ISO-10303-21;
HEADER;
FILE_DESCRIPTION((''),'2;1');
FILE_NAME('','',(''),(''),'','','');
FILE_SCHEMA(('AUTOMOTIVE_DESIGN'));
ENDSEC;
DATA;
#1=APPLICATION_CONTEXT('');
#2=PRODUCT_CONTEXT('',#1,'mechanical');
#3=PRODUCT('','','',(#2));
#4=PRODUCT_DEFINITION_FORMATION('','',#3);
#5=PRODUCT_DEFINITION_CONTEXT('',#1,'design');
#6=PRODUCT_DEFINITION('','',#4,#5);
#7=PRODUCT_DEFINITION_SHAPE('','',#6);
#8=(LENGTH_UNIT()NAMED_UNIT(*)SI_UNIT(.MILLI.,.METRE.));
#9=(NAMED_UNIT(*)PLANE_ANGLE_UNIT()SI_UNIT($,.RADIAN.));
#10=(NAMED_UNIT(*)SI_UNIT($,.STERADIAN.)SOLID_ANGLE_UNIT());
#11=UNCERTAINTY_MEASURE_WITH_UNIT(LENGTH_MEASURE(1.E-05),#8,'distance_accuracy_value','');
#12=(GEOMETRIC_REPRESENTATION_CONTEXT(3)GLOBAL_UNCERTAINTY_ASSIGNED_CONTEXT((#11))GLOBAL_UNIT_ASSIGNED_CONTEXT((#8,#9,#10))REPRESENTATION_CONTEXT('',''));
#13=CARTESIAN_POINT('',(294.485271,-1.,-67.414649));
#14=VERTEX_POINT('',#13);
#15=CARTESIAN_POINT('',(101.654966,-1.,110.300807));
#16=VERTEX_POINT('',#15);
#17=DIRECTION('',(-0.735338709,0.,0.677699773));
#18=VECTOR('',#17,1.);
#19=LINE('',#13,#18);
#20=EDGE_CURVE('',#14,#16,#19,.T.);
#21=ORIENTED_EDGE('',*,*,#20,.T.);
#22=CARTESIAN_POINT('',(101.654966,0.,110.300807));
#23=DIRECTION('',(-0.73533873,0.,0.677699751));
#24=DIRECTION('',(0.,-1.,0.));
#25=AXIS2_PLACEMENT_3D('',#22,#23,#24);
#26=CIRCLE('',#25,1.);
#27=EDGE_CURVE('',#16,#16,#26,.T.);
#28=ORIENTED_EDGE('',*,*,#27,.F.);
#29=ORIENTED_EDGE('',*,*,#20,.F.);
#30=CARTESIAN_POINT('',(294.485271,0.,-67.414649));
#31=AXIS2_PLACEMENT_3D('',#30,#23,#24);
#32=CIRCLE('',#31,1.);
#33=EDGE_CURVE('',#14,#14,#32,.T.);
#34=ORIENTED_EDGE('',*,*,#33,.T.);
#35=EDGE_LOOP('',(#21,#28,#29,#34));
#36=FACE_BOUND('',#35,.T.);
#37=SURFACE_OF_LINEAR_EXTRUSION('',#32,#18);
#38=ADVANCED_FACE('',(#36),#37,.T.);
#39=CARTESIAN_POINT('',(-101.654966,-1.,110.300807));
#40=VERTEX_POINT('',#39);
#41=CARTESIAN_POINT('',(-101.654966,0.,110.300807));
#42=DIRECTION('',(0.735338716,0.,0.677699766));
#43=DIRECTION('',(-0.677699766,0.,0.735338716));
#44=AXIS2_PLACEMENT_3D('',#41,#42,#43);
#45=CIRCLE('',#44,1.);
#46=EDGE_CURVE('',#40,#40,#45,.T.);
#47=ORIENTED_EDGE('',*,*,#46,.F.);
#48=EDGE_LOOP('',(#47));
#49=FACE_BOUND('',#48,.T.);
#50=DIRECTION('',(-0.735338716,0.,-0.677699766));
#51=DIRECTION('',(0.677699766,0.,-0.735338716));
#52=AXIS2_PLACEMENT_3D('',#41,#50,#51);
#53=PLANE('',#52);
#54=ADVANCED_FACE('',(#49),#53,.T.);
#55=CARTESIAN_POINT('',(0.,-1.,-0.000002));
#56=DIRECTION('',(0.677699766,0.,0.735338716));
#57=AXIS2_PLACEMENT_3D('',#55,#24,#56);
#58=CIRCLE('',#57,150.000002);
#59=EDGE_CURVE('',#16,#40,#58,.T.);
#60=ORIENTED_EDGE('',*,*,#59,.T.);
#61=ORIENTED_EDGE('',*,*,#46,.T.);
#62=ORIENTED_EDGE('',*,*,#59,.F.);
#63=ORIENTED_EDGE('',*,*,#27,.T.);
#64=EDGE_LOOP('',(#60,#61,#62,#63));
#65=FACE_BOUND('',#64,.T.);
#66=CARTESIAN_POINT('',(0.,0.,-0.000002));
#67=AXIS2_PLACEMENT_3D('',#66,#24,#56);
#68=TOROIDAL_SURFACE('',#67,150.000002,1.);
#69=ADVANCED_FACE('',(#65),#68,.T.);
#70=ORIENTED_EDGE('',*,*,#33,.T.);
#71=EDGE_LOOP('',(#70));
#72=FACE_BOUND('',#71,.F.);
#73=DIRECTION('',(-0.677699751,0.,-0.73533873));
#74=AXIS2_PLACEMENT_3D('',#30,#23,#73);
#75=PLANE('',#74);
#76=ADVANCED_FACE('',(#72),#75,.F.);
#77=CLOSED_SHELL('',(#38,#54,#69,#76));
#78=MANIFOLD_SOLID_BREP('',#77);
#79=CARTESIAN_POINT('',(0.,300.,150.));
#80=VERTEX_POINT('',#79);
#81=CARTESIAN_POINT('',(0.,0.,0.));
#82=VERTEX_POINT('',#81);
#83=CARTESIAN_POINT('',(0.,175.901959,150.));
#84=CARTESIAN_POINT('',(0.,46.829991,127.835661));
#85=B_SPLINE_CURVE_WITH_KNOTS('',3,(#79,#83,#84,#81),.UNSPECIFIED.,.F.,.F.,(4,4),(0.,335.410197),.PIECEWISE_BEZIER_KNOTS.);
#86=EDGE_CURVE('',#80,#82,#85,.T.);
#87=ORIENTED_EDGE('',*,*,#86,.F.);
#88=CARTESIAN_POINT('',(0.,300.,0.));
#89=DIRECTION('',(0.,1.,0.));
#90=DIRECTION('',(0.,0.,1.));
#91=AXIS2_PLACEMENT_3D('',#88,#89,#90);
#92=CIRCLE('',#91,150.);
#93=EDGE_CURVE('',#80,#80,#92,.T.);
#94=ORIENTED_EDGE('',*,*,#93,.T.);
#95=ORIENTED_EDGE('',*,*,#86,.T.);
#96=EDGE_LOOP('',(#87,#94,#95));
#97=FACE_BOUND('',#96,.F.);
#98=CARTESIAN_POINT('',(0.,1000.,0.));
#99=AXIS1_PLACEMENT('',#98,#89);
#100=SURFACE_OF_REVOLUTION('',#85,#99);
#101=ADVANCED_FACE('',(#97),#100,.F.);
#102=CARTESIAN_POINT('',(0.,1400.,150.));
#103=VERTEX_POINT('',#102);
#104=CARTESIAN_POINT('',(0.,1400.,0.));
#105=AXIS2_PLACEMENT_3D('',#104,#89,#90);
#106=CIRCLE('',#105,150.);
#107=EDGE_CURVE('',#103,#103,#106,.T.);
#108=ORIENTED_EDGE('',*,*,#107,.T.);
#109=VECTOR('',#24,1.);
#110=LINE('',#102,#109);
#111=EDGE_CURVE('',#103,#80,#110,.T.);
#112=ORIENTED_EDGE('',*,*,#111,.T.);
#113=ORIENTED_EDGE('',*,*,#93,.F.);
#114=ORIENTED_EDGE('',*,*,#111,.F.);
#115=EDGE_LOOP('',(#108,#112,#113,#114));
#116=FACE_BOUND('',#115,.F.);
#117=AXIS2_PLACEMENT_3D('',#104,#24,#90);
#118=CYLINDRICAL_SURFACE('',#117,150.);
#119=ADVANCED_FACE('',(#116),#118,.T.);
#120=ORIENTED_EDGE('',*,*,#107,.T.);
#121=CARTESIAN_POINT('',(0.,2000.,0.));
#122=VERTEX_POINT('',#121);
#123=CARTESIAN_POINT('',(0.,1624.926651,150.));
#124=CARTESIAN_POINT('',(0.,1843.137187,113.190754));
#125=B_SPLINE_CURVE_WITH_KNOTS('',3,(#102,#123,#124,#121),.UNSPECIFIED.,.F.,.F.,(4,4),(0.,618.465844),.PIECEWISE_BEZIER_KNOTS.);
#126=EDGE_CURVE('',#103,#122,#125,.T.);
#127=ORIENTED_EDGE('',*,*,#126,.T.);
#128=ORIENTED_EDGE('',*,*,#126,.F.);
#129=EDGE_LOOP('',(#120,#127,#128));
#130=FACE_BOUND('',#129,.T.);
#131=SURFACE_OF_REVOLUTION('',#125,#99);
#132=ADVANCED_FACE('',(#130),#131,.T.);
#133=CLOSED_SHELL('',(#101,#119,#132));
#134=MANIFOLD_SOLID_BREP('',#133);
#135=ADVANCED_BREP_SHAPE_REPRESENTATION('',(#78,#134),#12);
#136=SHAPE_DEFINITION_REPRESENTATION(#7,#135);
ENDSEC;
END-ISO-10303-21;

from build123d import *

# Parameters (mm, degrees)
F4_R = 1


with BuildPart() as f1:
    # F0 (on Right) → F1 (revolve)
    with BuildSketch(Plane.YZ):
        with BuildLine():
            Line((1400, 150), (300, 150))
            add(Edge.make_bspline(
                [(300, 150), (175.901959, 150), (46.829991, 127.835661), (0, 0)],
                knots=[0, 0, 0, 0, 335.410197, 335.410197, 335.410197, 335.410197], degree=3))
            Line((0, 0), (2000, 0))
            add(Edge.make_bspline(
                [(1400, 150), (1624.926651, 150), (1843.137187, 113.190754), (2000, 0)],
                knots=[0, 0, 0, 0, 618.465844, 618.465844, 618.465844, 618.465844], degree=3))
        make_face()
    revolve(axis=Axis((0, 1000, 0), (0, 1, 0)))


with BuildPart() as f5:
    # F5: sweep along a path in F2
    with BuildLine(Plane.XZ) as f5_path:
        Line((294.485271, -67.414649), (101.654966, 110.300807))
        ThreePointArc((101.654966, 110.300807), (0, 150), (-101.654966, 110.300807))
    # F4 (on face) → F5 (sweep)
    with BuildSketch(Plane(origin=(192.830305, 0, -177.715455), x_dir=(0, -1, 0), z_dir=(-0.735339, 0, 0.6777))):
        with Locations((0, 150)):
            Circle(F4_R)
    sweep(path=f5_path.line)


solid = Compound([f1.part, f5.part])
